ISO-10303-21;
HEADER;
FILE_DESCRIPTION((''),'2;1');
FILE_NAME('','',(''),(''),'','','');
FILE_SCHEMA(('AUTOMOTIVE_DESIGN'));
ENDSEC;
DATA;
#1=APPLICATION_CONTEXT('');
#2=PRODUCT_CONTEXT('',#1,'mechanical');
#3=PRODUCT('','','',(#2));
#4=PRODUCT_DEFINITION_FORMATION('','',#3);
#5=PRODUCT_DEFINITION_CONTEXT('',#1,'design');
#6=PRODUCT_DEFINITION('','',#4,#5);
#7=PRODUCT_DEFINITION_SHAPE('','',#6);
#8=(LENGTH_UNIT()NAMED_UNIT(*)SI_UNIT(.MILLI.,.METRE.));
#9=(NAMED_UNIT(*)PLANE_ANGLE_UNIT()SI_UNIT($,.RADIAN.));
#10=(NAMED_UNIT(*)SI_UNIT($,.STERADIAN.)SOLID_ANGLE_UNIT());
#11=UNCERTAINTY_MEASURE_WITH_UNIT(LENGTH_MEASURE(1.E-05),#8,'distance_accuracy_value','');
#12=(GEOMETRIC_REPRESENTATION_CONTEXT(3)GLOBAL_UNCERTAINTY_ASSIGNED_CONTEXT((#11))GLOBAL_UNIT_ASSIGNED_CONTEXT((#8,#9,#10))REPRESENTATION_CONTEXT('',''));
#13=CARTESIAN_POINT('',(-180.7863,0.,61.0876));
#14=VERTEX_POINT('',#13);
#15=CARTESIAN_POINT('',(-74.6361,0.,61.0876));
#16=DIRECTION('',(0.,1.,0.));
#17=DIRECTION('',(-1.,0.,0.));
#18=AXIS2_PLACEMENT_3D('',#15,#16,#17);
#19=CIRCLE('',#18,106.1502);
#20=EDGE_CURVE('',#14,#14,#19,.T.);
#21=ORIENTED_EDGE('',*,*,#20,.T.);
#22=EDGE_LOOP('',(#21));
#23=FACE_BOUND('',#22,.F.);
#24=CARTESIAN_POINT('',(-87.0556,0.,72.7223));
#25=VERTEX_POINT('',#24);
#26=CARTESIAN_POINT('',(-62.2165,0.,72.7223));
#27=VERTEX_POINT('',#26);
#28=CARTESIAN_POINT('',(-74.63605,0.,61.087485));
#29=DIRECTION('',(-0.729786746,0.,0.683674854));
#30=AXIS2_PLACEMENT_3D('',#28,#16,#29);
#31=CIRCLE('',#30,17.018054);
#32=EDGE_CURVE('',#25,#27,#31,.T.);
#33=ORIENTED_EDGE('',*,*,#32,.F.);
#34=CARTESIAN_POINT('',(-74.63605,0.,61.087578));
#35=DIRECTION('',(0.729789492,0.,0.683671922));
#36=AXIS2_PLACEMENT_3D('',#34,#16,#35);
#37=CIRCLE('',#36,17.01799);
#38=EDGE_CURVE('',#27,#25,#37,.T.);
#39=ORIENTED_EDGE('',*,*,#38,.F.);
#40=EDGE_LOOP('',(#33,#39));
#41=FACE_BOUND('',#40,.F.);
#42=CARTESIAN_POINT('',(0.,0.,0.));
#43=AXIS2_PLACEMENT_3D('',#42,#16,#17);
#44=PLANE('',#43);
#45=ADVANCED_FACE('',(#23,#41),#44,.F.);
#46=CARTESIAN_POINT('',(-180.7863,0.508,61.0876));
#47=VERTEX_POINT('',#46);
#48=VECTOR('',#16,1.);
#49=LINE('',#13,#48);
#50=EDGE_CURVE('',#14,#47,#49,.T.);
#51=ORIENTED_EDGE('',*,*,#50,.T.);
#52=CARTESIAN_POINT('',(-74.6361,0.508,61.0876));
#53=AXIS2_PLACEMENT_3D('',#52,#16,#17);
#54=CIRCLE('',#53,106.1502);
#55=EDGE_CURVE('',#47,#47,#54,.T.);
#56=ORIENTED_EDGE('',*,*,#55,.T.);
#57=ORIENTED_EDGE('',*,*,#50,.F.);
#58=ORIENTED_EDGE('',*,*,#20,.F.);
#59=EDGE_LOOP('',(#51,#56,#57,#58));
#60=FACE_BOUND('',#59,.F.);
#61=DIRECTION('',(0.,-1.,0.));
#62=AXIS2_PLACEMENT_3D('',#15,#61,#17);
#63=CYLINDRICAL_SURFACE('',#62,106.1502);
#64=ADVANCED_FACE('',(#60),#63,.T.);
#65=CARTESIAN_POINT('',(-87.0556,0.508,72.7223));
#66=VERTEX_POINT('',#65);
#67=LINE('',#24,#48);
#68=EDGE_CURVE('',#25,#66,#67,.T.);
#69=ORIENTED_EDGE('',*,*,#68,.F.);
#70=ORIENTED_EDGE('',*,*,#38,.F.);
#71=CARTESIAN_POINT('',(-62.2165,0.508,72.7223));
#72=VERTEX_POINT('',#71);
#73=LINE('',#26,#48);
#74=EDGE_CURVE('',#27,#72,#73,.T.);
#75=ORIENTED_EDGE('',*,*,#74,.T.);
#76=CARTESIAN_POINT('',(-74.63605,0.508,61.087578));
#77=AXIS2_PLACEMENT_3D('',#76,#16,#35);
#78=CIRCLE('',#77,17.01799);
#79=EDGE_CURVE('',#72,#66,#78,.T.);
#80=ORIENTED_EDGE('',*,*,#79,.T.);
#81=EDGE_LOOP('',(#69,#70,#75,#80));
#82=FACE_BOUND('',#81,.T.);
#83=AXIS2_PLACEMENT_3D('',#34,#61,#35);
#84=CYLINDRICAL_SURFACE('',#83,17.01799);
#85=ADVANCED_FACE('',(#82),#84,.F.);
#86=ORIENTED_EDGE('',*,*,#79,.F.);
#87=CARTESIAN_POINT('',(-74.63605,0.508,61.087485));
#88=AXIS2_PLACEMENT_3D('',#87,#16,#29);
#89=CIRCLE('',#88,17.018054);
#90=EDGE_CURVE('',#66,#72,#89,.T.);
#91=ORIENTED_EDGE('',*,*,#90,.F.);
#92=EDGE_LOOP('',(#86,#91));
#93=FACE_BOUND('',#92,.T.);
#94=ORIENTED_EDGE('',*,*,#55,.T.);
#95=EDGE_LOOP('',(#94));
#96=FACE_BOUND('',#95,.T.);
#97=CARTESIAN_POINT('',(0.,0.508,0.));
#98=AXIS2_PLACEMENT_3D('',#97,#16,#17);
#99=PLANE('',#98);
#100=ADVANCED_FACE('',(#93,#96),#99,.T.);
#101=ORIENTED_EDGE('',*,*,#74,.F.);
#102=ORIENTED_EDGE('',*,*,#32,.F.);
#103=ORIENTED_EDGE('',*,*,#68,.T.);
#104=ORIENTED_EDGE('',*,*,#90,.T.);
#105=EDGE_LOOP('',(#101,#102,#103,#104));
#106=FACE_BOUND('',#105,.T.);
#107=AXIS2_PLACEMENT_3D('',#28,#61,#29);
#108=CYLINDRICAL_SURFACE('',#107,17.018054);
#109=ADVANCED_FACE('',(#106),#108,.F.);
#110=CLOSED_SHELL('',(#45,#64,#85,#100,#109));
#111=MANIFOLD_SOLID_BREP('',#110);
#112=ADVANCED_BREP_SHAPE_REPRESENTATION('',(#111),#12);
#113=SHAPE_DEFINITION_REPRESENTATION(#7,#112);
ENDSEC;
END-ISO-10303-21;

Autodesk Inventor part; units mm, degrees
ref_plane "YZ Plane" through (0, 0, 0) normal (1, 0, 0) x (0, 1, 0)
ref_plane "XZ Plane" through (0, 0, 0) normal (0, 1, 0) x (-1, 0, 0)
ref_plane "XY Plane" through (0, 0, 0) normal (0, 0, 1) x (1, 0, 0)
sketch "Sketch1" plane through (0, 0, 0) normal (0, 1, 0) x (-1, 0, 0)
  arc A0 (62.2165, 72.7223) -> (87.0556, 72.7223) centre (74.6361, 61.0876) ccw
  arc A1 (62.2165, 72.7223) -> (87.0556, 72.7223) centre (74.6361, 61.0876) ccw
  arc A2 (87.0556, 72.7223) -> (62.2165, 72.7223) centre (74.6361, 61.0876) ccw
  circle A3 centre (74.6361, 61.0876) radius 106.1502
  point P0 (0, 0)
  point P1 (74.6361, 0)
  point P2 (0, 72.7223)
  point P3 (149.2721, 72.7223)
  point P4 (0, 0)
  dimension "d2" = 17.018
extrude "Extrusion1" add sketch "Sketch1" along normal blind 0.508
properties part number "pig_butt_holder"
